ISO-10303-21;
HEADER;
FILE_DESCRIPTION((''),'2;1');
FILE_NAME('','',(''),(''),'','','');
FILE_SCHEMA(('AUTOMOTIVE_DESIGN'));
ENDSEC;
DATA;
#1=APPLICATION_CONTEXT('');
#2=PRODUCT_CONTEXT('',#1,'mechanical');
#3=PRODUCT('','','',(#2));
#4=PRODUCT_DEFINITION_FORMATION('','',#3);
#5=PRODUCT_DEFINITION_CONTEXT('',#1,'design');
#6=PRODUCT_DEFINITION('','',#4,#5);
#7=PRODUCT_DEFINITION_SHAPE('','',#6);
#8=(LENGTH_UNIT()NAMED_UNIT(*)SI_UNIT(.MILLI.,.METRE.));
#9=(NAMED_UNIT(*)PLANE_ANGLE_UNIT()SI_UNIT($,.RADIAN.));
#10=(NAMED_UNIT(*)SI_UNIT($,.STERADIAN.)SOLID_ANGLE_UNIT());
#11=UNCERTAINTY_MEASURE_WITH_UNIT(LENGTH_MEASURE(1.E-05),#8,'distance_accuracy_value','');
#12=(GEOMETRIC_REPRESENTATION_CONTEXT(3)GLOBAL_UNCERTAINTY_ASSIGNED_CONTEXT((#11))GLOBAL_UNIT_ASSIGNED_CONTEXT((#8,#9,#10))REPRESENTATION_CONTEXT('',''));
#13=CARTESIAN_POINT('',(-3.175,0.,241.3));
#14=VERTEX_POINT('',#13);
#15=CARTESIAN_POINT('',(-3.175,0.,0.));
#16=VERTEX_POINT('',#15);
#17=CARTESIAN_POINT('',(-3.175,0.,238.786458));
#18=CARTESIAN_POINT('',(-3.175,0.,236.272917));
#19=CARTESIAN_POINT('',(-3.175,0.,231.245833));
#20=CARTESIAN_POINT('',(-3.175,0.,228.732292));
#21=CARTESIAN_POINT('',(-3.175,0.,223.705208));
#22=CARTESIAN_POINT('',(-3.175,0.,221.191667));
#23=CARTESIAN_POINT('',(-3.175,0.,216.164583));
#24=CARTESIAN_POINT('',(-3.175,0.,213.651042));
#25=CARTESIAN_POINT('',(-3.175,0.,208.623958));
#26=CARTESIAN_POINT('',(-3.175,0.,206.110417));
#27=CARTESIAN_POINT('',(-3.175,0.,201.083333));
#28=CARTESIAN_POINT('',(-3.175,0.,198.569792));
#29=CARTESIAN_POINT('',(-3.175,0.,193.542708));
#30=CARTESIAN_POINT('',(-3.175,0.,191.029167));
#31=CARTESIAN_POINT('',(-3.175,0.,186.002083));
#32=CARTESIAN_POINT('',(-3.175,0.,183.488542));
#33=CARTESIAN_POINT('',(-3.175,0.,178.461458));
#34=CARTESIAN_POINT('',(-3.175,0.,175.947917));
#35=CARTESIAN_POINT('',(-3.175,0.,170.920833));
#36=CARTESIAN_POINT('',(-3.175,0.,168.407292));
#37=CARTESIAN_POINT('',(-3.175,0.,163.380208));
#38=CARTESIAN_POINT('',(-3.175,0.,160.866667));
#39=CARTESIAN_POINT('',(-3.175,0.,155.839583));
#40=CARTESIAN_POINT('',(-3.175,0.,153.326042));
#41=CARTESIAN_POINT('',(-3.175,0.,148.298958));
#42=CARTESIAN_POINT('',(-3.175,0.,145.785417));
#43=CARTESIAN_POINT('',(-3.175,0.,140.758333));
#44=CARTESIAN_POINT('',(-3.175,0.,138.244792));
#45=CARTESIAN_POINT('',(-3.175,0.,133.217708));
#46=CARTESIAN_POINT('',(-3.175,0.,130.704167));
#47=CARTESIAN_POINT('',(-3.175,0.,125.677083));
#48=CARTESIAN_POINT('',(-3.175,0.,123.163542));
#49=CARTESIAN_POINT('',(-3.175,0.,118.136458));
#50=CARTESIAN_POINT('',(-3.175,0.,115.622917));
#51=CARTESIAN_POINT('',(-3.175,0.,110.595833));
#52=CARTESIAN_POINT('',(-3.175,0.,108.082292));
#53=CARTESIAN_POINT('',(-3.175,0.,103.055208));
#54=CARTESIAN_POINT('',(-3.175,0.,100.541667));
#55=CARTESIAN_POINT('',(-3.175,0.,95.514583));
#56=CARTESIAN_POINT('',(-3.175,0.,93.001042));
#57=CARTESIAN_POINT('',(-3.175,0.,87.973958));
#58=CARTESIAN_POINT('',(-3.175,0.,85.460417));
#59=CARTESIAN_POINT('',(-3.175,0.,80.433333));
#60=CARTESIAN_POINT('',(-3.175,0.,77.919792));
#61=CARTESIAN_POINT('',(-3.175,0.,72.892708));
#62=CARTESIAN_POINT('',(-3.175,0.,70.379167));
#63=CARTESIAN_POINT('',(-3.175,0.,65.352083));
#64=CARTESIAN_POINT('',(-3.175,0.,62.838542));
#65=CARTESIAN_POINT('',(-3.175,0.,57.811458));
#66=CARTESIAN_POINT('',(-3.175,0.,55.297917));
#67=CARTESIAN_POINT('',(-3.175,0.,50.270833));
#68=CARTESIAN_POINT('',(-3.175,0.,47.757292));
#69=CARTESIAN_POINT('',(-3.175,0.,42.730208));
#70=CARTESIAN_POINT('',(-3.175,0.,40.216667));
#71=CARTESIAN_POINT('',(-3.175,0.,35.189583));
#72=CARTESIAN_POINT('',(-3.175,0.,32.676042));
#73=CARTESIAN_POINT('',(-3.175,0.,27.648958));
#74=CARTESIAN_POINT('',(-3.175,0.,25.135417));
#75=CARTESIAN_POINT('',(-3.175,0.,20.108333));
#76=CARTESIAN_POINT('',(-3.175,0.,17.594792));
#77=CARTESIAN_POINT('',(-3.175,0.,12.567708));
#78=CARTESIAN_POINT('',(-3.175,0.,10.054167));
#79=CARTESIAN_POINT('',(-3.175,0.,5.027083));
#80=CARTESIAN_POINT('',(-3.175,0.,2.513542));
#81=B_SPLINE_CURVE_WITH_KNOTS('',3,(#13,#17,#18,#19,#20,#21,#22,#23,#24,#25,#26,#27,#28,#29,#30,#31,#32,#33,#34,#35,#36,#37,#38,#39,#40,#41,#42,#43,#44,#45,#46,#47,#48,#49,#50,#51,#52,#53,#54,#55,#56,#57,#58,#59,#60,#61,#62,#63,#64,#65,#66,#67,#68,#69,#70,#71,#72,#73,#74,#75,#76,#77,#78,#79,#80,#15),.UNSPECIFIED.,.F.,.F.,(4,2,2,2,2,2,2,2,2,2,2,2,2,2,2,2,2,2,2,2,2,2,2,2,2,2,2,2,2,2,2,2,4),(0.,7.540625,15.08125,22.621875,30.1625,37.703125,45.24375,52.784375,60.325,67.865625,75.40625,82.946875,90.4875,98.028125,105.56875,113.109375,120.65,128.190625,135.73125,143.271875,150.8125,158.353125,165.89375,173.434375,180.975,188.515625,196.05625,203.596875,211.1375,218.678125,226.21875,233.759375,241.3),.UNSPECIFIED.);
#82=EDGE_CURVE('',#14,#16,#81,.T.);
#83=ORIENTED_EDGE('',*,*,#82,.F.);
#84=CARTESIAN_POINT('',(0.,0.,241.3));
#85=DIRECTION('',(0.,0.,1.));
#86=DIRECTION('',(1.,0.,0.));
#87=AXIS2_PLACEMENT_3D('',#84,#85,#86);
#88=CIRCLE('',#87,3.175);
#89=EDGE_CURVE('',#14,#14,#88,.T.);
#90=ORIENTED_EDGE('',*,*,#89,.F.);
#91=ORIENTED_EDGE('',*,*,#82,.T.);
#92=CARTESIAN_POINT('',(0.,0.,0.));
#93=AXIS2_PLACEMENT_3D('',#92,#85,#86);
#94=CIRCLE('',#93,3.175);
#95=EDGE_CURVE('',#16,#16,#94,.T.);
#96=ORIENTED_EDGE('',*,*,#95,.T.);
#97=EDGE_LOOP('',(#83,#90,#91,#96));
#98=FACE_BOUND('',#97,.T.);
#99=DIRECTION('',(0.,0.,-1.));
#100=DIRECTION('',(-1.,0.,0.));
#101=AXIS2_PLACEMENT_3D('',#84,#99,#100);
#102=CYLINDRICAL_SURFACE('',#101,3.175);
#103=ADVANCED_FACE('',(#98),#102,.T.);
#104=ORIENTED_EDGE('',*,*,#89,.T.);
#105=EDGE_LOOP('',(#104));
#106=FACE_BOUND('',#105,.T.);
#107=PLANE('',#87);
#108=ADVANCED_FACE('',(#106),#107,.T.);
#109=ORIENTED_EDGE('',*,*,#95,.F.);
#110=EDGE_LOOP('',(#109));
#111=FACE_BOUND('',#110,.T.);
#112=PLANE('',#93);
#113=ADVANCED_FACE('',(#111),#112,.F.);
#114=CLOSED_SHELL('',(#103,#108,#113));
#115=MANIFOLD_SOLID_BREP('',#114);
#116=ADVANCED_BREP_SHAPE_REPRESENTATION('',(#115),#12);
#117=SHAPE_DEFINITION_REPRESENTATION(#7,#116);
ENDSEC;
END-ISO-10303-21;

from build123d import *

# Parameters (mm, degrees)
ESQUISSE1_R        = 3.175
BOSS_EXTRU_1_DEPTH = 241.3


with BuildPart() as part:
    # Esquisse1 → Boss.-Extru.1 (new body)
    with BuildSketch(Plane.XY):
        with Locations(Location((0, 0, 0), (0, 0, 180))):
            Circle(ESQUISSE1_R)
    extrude(amount=BOSS_EXTRU_1_DEPTH)


solid = part.part
